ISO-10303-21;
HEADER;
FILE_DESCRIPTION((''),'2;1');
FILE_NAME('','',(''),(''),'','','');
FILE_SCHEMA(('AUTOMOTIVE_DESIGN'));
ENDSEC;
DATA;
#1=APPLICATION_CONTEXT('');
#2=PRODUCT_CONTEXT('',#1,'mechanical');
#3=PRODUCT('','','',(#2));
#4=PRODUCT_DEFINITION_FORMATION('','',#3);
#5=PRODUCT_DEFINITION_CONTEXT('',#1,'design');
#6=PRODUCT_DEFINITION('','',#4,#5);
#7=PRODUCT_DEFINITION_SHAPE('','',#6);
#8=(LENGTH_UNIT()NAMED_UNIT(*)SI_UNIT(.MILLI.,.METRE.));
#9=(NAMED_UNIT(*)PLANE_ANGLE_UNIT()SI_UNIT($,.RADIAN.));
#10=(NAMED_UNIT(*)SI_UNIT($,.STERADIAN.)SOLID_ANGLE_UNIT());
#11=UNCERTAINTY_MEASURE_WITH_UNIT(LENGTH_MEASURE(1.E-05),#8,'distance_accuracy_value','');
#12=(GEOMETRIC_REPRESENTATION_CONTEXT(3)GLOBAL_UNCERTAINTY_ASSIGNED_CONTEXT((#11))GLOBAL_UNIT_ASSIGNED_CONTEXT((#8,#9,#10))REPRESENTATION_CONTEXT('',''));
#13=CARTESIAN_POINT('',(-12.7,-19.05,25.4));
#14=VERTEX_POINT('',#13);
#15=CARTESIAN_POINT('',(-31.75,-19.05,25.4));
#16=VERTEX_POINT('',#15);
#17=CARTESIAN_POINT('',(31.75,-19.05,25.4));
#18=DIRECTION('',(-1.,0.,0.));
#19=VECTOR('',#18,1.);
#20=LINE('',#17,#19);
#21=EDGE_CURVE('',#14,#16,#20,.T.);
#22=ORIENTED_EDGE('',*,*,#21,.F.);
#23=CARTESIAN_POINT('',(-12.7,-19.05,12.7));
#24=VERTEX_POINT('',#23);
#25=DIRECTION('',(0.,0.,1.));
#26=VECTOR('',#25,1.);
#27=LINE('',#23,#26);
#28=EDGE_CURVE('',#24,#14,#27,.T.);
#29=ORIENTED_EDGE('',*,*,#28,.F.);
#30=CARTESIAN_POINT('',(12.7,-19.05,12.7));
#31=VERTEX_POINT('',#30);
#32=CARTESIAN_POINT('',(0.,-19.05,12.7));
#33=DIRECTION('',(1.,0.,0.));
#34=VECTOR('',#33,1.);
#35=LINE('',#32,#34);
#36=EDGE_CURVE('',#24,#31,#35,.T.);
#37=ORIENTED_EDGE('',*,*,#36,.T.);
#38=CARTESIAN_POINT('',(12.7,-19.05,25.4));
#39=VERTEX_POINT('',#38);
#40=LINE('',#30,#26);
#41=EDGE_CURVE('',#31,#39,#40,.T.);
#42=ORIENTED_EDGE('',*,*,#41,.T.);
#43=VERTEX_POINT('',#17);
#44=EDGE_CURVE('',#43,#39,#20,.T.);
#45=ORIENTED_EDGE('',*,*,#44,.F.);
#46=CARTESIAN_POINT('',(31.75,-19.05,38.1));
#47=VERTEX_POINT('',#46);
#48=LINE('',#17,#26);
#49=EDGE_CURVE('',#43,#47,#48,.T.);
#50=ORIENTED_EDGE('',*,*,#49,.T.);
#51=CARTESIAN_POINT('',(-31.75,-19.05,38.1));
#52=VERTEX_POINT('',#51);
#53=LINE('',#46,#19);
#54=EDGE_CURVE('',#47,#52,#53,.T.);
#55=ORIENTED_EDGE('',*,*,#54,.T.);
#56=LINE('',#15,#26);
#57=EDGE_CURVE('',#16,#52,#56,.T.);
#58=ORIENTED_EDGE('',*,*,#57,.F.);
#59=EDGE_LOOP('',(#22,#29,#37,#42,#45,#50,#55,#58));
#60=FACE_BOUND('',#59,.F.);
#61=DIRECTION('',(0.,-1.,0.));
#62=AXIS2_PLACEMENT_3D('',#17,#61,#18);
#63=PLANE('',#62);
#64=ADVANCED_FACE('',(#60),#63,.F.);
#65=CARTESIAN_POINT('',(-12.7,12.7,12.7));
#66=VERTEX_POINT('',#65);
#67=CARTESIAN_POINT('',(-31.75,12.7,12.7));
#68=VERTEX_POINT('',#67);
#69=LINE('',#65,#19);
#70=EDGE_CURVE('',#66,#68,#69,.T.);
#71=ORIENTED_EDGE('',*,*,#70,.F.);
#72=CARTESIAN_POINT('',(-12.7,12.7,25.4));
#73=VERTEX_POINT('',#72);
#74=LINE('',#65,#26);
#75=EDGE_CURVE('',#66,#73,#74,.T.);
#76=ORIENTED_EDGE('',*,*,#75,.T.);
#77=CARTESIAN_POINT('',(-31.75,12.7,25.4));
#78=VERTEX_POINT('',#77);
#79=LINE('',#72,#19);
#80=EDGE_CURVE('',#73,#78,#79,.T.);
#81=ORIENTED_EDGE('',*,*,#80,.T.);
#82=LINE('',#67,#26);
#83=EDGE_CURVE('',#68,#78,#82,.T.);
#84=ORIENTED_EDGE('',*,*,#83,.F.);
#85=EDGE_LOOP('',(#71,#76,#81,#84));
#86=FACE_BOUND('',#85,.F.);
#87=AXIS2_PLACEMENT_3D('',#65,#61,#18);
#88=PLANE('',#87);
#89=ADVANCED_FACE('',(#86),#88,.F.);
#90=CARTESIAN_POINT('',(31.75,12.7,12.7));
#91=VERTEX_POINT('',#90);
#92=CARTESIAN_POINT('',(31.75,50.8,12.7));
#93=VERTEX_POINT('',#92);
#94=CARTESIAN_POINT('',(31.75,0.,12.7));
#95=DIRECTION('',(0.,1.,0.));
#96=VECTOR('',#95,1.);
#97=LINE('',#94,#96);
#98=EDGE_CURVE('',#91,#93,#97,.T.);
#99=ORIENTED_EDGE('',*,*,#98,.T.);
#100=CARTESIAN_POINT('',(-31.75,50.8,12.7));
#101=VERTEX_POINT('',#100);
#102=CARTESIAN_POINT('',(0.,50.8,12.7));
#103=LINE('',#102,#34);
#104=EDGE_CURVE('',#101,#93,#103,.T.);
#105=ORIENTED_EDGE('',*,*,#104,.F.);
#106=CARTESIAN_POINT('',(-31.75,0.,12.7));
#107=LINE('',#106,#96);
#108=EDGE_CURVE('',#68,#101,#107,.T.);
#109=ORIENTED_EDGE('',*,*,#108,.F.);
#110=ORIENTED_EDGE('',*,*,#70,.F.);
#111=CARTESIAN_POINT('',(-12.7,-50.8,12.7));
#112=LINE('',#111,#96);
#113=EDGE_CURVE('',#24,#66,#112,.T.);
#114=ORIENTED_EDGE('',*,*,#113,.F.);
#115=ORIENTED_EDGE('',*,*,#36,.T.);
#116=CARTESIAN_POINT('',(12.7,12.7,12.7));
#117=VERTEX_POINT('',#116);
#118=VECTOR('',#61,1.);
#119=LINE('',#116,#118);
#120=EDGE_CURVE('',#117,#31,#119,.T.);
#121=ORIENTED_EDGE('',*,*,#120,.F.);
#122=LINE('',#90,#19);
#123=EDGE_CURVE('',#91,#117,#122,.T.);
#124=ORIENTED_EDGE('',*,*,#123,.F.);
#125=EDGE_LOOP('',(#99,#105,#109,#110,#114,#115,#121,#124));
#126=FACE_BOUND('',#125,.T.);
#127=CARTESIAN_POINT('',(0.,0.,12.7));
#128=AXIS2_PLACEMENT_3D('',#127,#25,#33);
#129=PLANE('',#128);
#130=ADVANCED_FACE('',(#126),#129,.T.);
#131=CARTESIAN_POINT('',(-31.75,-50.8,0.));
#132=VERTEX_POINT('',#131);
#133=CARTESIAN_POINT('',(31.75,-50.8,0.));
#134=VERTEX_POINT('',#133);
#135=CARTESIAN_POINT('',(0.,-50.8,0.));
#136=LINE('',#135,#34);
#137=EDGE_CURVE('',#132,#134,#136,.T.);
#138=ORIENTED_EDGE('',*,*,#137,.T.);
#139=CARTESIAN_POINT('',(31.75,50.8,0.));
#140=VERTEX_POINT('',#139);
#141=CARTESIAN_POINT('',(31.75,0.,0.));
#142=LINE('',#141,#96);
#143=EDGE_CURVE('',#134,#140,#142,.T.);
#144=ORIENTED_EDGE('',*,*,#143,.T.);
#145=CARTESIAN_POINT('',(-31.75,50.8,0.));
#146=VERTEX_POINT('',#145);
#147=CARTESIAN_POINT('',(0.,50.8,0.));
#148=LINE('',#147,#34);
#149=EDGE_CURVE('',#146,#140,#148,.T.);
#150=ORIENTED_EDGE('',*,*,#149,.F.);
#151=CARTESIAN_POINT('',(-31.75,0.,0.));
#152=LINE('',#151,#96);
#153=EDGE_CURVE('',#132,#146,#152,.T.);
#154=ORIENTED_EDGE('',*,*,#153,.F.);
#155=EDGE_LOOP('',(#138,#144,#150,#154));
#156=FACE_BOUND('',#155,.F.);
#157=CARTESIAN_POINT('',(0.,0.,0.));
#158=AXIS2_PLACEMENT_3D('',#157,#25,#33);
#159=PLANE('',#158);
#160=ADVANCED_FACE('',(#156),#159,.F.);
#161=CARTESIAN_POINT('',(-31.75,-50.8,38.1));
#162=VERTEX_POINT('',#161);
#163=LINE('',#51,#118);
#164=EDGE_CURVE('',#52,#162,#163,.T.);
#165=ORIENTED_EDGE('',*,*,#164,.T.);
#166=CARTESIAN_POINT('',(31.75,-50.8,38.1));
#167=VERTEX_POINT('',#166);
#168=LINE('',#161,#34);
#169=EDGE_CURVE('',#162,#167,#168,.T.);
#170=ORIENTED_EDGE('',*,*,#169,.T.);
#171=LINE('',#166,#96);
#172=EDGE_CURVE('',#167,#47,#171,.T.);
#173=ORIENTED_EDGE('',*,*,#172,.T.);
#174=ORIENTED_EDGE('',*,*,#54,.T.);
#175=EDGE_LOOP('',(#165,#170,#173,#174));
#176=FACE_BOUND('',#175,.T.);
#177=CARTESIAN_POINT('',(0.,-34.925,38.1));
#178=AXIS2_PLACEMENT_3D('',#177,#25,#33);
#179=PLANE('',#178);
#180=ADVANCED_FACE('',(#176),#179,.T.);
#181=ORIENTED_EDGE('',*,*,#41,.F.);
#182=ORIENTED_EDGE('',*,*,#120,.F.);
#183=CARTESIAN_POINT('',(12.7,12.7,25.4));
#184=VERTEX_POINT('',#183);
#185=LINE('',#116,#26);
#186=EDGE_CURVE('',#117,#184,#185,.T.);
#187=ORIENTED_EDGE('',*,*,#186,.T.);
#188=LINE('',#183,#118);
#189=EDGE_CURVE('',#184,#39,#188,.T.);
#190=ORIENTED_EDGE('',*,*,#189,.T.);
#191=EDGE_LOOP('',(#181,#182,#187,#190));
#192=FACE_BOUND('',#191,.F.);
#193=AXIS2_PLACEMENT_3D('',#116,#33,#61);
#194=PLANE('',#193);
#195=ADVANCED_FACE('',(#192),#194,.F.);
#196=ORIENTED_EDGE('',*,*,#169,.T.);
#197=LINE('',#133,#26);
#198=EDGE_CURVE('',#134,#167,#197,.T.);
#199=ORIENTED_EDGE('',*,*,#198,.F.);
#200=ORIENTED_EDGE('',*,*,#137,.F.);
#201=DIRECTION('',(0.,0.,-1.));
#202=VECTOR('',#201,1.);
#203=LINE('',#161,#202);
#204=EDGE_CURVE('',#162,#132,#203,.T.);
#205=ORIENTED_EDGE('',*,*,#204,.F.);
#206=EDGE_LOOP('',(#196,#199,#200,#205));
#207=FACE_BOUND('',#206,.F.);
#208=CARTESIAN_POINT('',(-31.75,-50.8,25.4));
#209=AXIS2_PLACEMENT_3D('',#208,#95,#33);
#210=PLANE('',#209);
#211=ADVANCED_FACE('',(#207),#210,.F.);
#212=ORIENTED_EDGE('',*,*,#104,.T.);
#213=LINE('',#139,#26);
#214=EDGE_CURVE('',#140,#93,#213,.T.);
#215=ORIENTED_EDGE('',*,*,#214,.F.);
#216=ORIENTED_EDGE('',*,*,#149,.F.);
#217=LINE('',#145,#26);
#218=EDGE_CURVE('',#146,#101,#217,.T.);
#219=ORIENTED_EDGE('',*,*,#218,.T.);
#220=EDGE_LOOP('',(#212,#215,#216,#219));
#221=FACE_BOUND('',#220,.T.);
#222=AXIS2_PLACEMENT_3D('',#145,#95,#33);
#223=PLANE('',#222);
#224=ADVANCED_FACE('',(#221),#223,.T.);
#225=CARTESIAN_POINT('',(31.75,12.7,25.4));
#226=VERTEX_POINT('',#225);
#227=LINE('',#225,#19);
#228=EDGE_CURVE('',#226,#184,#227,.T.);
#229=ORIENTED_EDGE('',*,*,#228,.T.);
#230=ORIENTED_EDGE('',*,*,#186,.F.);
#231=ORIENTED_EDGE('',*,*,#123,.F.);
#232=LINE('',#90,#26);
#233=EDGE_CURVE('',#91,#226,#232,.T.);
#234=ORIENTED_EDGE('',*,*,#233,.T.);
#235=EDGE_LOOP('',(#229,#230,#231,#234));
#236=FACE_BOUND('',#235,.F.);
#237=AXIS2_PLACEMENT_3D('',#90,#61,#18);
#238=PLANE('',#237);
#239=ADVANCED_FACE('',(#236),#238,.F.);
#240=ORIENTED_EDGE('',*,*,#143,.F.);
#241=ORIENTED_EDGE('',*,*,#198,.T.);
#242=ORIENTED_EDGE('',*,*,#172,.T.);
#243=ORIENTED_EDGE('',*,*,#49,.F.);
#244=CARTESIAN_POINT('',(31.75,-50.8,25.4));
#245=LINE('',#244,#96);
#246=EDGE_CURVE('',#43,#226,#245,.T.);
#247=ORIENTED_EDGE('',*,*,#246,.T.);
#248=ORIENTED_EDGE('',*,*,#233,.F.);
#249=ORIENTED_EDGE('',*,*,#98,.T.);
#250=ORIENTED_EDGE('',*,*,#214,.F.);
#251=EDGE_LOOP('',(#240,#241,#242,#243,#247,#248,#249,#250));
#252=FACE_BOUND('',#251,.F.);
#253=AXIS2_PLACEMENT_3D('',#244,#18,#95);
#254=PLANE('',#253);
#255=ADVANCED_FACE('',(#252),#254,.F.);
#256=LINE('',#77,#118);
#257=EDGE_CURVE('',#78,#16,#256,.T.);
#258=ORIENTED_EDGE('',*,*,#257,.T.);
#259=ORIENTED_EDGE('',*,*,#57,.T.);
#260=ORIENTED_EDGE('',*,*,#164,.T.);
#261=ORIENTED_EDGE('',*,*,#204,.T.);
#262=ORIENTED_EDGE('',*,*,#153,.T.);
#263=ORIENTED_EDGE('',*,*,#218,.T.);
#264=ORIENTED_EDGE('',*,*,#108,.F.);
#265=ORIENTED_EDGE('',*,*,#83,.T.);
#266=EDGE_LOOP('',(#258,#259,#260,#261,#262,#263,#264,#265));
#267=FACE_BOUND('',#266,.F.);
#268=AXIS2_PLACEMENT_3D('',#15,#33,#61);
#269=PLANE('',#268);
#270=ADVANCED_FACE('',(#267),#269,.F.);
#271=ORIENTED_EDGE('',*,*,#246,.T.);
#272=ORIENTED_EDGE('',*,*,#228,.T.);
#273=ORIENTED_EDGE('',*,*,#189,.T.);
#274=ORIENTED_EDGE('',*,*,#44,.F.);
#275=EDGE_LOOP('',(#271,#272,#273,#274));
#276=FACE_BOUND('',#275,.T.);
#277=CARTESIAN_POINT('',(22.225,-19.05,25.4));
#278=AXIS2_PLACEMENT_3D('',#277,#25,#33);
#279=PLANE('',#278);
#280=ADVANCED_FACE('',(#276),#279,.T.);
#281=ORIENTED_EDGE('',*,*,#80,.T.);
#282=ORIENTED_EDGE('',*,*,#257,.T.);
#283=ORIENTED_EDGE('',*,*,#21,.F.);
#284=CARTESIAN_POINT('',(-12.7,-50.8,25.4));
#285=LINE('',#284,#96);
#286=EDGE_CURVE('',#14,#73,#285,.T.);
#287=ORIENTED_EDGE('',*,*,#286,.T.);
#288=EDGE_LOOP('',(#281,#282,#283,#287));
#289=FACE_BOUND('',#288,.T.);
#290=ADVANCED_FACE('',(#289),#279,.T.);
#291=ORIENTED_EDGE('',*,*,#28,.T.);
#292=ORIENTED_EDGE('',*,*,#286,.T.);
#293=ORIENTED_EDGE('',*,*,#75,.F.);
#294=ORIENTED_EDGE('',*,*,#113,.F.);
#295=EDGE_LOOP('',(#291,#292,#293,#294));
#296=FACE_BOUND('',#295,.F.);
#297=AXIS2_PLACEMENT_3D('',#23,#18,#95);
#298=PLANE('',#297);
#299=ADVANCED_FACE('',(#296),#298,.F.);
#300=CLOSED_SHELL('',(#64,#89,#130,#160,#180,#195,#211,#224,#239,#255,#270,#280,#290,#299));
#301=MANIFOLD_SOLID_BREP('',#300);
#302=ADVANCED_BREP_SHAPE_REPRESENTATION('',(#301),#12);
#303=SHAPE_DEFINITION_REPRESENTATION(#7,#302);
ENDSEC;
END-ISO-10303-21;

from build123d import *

# Parameters (mm, degrees)
F0_W     = 63.5
F0_H     = 101.6
F1_DEPTH = 12.7
F2_W     = 25.4
F2_H     = 31.75
F3_DEPTH = 12.7
F5_DEPTH = 12.7


with BuildPart() as f1:
    # F0 (on Top) → F1 (new body)
    with BuildSketch(Plane.XY):
        Rectangle(F0_W, F0_H)
    extrude(amount=F1_DEPTH)

    # F2 (on face) → F3 (join)
    with BuildSketch(Plane.XY.offset(12.7)):
        Polygon((31.75, -50.8), (31.75, 12.7), (12.7, 12.7), (12.7, -19.05), (12.7, -50.8), align=None)
        Polygon((-12.7, -50.8), (-12.7, -19.05), (-12.7, 12.7), (-31.75, 12.7), (-31.75, -50.8), align=None)
        with Locations((0, -34.925)):
            Rectangle(F2_W, F2_H)
    extrude(amount=F3_DEPTH)

    # F4 (on face) → F5 (join)
    with BuildSketch(Plane.XY.offset(25.4)):
        Polygon((-31.75, -50.8), (31.75, -50.8), (31.75, -19.05), (12.7, -19.05), (-12.7, -19.05), (-31.75, -19.05), align=None)
    extrude(amount=F5_DEPTH)


solid = f1.part
